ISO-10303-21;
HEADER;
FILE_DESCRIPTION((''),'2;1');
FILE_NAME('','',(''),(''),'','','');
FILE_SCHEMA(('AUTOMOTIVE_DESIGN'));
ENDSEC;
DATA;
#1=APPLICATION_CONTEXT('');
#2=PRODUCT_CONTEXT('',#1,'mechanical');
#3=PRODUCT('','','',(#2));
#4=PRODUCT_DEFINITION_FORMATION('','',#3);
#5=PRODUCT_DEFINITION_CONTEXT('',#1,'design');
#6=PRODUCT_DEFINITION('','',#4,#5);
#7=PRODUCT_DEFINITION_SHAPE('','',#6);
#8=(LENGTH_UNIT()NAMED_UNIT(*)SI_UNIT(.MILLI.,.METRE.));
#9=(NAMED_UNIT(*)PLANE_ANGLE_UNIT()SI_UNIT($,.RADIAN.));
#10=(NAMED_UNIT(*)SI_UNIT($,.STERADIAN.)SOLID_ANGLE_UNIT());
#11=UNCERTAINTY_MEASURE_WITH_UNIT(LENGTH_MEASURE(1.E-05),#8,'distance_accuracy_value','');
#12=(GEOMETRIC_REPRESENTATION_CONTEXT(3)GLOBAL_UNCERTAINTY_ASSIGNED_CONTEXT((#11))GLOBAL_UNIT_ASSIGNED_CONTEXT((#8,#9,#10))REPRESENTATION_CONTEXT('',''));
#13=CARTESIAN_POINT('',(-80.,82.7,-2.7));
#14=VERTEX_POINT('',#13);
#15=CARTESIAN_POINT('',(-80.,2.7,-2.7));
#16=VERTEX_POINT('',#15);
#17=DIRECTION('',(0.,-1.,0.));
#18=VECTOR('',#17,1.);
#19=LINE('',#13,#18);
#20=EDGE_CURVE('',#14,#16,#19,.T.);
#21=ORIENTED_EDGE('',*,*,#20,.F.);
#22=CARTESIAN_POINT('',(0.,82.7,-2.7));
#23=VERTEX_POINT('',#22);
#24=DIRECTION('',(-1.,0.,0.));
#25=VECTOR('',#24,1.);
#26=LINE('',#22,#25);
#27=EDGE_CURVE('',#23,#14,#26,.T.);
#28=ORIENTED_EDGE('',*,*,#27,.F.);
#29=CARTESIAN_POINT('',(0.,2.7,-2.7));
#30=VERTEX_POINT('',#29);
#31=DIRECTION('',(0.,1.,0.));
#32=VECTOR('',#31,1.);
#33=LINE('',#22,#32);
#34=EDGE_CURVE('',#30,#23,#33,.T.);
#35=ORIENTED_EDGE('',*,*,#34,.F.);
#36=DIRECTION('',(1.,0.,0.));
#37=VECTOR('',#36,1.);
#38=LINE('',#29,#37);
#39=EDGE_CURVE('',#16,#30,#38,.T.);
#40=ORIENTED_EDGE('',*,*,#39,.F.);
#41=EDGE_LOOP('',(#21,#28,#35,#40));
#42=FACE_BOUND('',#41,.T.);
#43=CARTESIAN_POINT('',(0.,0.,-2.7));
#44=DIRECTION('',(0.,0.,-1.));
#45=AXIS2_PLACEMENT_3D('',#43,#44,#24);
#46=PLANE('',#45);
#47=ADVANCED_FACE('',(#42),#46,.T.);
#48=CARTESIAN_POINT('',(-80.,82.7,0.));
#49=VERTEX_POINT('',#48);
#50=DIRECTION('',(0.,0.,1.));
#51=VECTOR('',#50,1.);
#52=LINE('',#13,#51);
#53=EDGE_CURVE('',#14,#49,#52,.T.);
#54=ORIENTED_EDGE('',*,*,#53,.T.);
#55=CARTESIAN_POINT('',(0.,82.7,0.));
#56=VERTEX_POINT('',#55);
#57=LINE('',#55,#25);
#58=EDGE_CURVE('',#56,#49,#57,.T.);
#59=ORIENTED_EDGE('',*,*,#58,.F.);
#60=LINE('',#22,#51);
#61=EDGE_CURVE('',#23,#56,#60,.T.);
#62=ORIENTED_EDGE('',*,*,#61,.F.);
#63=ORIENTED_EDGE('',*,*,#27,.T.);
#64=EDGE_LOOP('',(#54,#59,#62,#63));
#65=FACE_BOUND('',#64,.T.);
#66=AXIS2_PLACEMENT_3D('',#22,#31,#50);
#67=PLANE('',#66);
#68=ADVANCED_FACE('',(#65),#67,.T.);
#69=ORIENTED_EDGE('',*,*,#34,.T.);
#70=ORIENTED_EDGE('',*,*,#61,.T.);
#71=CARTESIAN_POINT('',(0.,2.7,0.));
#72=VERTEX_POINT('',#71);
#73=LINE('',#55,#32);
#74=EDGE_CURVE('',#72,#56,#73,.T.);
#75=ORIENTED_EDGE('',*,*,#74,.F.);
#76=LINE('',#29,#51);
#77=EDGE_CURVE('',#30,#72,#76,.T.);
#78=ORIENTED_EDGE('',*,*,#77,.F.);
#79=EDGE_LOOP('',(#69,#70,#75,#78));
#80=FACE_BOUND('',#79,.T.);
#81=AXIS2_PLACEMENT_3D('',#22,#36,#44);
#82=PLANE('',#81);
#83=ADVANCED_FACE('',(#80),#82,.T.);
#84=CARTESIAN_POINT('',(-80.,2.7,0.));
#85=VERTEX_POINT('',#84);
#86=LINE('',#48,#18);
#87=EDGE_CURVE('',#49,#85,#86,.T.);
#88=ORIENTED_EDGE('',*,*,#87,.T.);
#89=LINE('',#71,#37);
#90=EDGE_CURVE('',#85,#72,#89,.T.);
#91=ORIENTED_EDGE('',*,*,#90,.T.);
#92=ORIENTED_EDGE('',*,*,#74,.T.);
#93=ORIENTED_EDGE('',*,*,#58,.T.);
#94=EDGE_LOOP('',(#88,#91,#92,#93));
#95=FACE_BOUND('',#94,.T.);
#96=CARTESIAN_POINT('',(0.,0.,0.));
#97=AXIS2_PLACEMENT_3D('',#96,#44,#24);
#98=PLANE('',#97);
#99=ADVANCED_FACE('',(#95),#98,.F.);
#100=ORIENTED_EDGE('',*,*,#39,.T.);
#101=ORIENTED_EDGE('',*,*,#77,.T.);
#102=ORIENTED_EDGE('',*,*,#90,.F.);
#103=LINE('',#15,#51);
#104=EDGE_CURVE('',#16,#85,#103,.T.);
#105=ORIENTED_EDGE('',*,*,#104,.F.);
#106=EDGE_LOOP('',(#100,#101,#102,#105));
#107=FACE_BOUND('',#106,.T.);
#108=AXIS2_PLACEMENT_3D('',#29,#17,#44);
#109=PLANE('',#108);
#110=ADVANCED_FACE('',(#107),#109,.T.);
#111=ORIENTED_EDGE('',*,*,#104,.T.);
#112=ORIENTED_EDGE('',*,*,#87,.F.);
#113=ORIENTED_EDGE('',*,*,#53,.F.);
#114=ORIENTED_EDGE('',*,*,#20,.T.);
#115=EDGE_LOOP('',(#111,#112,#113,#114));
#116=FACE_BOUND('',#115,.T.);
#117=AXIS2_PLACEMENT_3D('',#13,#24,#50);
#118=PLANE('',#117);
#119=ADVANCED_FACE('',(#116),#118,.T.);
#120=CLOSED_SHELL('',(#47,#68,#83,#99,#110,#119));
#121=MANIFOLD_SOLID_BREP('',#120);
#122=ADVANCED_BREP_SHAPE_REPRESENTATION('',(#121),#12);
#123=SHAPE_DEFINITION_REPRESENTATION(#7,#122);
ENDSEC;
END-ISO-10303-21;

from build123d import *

# Parameters (mm, degrees)
CROQUIS1_W              = 80
CROQUIS1_H              = 80
SALIENTE_EXTRUIR1_DEPTH = 2.7


with BuildPart() as part:
    # Croquis1 → Saliente-Extruir1 (new body)
    with BuildSketch(Plane.XY):
        with Locations((-40, 42.7)):
            Rectangle(CROQUIS1_W, CROQUIS1_H)
    extrude(amount=-SALIENTE_EXTRUIR1_DEPTH)


solid = part.part
